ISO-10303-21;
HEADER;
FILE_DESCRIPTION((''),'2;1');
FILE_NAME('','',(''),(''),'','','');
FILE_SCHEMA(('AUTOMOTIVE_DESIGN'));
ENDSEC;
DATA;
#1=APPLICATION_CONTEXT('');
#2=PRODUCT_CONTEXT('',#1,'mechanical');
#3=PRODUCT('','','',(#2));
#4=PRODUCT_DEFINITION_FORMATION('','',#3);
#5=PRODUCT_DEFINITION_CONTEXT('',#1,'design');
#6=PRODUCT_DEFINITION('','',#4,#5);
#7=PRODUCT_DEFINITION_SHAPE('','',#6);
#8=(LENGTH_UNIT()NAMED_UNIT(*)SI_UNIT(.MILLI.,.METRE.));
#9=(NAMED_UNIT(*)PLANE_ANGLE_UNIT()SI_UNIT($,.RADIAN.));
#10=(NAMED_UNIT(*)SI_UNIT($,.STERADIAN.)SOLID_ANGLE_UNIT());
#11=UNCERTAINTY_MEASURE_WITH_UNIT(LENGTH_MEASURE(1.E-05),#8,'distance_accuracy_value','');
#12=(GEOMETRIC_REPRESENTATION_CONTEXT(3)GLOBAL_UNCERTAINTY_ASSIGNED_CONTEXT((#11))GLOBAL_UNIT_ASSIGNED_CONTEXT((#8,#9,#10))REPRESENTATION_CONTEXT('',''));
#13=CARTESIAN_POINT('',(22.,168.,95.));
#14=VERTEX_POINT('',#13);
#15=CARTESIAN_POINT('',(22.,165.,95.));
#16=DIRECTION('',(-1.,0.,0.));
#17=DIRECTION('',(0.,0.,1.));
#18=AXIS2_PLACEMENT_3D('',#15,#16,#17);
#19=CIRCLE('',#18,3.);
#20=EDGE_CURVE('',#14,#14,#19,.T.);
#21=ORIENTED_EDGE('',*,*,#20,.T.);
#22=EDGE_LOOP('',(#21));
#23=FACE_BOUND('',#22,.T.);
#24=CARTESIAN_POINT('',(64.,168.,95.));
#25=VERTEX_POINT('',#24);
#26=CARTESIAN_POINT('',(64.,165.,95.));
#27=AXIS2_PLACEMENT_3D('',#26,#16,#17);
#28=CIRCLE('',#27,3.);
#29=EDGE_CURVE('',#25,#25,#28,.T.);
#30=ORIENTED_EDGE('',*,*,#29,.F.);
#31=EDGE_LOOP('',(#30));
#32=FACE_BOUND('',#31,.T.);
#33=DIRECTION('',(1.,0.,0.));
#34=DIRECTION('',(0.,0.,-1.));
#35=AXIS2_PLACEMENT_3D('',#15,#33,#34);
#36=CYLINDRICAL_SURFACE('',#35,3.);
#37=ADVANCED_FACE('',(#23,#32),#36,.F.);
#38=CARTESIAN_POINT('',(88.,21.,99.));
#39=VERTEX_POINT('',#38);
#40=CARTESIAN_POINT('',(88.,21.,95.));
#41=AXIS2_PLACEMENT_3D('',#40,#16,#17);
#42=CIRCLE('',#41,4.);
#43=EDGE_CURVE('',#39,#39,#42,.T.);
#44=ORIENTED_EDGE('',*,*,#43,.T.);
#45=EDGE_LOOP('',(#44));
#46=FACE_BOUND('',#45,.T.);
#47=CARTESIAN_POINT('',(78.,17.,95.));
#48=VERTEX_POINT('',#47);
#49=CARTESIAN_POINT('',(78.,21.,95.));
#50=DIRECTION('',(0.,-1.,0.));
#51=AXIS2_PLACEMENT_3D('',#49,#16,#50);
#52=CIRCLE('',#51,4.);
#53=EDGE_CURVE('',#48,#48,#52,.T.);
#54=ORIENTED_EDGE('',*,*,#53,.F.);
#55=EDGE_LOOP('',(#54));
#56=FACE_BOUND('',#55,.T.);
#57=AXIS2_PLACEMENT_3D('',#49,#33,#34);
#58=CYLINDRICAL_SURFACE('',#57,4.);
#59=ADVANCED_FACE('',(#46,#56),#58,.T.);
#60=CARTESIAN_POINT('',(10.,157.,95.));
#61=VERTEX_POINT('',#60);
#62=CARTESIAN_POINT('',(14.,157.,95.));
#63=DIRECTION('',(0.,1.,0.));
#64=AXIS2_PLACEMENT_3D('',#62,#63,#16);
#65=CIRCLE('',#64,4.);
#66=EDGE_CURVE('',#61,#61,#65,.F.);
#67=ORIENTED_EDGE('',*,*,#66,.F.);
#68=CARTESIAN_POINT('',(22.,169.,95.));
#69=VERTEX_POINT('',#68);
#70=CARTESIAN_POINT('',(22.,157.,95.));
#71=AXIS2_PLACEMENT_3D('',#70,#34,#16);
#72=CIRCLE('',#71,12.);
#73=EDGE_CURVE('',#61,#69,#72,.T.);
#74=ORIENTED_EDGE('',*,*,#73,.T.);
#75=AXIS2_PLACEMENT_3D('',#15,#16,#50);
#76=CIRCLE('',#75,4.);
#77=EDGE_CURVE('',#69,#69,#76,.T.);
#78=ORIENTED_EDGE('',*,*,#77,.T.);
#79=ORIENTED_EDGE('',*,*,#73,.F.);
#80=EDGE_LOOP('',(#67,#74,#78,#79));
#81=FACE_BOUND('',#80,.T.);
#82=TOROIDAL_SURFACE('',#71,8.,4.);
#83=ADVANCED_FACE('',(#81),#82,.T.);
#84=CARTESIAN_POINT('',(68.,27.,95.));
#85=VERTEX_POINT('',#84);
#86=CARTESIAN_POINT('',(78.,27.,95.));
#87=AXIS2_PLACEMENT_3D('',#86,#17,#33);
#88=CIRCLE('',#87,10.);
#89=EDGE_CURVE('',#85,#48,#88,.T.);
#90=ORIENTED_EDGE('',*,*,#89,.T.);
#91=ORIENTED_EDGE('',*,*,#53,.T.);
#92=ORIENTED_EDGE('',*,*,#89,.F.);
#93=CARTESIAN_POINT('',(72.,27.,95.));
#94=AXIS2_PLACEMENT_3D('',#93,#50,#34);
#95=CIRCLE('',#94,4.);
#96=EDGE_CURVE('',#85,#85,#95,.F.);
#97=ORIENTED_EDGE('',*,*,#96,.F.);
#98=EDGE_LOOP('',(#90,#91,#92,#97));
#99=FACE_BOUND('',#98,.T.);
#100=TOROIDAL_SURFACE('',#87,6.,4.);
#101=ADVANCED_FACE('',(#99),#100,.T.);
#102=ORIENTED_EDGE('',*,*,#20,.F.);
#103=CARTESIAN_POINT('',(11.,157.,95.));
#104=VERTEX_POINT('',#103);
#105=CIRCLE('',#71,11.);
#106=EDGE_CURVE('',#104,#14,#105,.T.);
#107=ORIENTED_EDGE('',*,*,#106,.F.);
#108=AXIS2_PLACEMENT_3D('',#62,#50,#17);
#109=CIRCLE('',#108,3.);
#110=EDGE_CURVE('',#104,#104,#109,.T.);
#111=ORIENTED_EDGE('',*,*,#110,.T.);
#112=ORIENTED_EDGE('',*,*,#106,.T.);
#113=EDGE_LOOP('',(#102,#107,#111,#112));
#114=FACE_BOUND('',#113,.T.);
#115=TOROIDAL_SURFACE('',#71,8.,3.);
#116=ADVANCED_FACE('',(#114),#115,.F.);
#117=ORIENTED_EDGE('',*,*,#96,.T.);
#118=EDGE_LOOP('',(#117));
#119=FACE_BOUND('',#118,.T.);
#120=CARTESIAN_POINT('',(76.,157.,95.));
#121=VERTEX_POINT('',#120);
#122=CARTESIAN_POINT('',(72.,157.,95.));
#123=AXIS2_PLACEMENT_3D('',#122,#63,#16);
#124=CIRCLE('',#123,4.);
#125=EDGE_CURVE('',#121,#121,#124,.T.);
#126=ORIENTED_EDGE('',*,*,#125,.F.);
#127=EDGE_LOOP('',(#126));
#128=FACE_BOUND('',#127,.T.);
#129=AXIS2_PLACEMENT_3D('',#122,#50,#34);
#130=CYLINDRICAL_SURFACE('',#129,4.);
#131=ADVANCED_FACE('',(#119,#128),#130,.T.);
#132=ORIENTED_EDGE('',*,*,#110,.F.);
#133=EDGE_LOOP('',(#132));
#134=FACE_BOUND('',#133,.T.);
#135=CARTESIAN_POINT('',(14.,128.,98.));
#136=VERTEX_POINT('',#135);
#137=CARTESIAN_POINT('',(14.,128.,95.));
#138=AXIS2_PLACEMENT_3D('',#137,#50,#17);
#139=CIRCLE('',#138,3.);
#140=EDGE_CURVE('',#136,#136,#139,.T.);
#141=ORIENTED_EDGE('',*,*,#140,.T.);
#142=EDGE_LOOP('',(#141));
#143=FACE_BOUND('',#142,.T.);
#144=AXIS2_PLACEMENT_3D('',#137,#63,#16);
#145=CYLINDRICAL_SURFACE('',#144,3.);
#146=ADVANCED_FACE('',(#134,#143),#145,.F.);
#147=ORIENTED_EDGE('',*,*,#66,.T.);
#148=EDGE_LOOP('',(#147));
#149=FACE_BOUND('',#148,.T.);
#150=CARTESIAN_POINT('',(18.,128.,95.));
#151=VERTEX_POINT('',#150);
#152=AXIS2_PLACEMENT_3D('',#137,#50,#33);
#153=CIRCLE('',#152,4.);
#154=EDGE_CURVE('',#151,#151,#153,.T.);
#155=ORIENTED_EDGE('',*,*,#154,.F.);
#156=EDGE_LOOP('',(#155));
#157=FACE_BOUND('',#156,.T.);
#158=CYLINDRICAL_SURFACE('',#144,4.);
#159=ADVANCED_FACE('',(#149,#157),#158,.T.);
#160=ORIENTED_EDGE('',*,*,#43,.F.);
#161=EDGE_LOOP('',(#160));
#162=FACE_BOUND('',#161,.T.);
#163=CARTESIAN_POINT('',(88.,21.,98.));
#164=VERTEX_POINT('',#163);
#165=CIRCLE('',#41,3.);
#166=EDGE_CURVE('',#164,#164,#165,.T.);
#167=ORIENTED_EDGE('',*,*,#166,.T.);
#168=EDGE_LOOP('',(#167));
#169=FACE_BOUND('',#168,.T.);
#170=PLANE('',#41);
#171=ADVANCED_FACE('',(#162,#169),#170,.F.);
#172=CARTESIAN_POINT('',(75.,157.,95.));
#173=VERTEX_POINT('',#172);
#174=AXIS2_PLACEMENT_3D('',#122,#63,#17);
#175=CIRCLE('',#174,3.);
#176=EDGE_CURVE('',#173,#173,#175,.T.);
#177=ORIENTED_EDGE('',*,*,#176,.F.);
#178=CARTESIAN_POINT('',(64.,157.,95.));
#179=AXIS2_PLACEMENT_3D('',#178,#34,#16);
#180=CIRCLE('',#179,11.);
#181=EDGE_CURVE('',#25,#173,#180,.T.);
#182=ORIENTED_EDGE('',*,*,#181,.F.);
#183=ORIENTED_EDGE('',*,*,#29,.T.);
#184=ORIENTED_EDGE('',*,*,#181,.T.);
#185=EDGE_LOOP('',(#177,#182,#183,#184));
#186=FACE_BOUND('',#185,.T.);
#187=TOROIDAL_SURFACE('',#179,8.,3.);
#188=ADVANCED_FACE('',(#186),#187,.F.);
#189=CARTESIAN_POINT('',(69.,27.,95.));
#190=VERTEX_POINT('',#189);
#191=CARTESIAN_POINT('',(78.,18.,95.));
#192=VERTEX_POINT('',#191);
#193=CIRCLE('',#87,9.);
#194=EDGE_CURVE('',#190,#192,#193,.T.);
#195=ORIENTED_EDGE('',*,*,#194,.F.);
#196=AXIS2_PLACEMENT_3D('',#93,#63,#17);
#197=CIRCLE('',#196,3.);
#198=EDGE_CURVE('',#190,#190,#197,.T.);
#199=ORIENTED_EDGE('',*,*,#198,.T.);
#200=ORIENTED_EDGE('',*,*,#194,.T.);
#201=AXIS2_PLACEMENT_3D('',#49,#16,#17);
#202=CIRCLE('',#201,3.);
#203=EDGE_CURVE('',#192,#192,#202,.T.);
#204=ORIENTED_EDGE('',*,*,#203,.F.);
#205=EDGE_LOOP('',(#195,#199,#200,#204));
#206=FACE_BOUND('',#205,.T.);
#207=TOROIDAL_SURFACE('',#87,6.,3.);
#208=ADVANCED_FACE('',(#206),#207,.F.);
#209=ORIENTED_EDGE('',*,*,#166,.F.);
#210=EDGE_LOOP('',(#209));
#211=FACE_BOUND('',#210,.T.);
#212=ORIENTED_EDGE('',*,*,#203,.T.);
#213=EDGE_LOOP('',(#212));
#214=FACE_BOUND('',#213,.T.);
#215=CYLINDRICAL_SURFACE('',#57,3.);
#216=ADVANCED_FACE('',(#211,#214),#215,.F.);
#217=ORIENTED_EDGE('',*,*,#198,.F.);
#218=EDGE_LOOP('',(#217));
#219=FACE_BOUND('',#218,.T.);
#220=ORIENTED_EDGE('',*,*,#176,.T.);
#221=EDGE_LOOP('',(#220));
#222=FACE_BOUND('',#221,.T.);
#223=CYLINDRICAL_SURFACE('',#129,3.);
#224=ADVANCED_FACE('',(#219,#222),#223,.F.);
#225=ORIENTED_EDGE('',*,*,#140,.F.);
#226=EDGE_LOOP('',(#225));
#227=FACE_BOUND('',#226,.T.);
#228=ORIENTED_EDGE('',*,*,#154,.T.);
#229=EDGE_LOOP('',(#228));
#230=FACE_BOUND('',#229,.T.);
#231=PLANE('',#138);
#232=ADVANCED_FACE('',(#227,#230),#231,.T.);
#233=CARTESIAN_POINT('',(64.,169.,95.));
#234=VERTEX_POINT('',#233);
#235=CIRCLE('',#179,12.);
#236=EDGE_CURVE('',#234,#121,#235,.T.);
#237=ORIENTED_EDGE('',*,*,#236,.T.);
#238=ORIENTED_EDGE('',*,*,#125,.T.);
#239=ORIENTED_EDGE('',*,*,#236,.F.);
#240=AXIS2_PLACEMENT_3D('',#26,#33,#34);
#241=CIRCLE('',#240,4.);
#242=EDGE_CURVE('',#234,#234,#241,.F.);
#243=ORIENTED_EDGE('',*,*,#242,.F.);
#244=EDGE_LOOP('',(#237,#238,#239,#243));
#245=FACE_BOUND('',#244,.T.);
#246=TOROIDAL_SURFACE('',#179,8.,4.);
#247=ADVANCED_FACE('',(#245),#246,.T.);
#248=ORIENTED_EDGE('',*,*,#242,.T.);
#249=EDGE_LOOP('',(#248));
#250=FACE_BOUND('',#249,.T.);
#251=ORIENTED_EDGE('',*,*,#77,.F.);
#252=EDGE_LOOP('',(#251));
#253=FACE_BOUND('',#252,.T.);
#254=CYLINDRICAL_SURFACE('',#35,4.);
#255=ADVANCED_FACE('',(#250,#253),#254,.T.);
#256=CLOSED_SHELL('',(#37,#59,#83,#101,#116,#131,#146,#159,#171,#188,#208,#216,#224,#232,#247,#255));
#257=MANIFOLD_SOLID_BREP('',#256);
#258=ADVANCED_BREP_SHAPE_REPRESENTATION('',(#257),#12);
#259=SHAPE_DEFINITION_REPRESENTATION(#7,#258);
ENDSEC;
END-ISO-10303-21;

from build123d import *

# Parameters (mm, degrees)
TUBE_PROFILE_R   = 4
TUBE_PROFILE_R_2 = 3


with BuildPart() as part:
    # Tube: sweep along a curve in space
    with BuildLine() as tube_path:
        Line((14, 128, 95), (14, 157, 95))
        ThreePointArc((22, 165, 95), (16.343145751, 162.656854249, 95), (14, 157, 95))
        Line((22, 165, 95), (64, 165, 95))
        ThreePointArc((72, 157, 95), (69.656854249, 162.656854249, 95), (64, 165, 95))
        Line((72, 157, 95), (72, 27, 95))
        ThreePointArc((78, 21, 95), (73.757359313, 22.757359313, 95), (72, 27, 95))
        Line((78, 21, 95), (88, 21, 95))
    # Tube profile (on start of the path) → Tube (sweep)
    with BuildSketch(Plane(origin=(14, 128, 95), x_dir=(1, 0, 0), z_dir=(0, 1, 0))):
        Circle(TUBE_PROFILE_R)
        Circle(TUBE_PROFILE_R_2, mode=Mode.SUBTRACT)
    sweep(path=tube_path.line)


solid = part.part
